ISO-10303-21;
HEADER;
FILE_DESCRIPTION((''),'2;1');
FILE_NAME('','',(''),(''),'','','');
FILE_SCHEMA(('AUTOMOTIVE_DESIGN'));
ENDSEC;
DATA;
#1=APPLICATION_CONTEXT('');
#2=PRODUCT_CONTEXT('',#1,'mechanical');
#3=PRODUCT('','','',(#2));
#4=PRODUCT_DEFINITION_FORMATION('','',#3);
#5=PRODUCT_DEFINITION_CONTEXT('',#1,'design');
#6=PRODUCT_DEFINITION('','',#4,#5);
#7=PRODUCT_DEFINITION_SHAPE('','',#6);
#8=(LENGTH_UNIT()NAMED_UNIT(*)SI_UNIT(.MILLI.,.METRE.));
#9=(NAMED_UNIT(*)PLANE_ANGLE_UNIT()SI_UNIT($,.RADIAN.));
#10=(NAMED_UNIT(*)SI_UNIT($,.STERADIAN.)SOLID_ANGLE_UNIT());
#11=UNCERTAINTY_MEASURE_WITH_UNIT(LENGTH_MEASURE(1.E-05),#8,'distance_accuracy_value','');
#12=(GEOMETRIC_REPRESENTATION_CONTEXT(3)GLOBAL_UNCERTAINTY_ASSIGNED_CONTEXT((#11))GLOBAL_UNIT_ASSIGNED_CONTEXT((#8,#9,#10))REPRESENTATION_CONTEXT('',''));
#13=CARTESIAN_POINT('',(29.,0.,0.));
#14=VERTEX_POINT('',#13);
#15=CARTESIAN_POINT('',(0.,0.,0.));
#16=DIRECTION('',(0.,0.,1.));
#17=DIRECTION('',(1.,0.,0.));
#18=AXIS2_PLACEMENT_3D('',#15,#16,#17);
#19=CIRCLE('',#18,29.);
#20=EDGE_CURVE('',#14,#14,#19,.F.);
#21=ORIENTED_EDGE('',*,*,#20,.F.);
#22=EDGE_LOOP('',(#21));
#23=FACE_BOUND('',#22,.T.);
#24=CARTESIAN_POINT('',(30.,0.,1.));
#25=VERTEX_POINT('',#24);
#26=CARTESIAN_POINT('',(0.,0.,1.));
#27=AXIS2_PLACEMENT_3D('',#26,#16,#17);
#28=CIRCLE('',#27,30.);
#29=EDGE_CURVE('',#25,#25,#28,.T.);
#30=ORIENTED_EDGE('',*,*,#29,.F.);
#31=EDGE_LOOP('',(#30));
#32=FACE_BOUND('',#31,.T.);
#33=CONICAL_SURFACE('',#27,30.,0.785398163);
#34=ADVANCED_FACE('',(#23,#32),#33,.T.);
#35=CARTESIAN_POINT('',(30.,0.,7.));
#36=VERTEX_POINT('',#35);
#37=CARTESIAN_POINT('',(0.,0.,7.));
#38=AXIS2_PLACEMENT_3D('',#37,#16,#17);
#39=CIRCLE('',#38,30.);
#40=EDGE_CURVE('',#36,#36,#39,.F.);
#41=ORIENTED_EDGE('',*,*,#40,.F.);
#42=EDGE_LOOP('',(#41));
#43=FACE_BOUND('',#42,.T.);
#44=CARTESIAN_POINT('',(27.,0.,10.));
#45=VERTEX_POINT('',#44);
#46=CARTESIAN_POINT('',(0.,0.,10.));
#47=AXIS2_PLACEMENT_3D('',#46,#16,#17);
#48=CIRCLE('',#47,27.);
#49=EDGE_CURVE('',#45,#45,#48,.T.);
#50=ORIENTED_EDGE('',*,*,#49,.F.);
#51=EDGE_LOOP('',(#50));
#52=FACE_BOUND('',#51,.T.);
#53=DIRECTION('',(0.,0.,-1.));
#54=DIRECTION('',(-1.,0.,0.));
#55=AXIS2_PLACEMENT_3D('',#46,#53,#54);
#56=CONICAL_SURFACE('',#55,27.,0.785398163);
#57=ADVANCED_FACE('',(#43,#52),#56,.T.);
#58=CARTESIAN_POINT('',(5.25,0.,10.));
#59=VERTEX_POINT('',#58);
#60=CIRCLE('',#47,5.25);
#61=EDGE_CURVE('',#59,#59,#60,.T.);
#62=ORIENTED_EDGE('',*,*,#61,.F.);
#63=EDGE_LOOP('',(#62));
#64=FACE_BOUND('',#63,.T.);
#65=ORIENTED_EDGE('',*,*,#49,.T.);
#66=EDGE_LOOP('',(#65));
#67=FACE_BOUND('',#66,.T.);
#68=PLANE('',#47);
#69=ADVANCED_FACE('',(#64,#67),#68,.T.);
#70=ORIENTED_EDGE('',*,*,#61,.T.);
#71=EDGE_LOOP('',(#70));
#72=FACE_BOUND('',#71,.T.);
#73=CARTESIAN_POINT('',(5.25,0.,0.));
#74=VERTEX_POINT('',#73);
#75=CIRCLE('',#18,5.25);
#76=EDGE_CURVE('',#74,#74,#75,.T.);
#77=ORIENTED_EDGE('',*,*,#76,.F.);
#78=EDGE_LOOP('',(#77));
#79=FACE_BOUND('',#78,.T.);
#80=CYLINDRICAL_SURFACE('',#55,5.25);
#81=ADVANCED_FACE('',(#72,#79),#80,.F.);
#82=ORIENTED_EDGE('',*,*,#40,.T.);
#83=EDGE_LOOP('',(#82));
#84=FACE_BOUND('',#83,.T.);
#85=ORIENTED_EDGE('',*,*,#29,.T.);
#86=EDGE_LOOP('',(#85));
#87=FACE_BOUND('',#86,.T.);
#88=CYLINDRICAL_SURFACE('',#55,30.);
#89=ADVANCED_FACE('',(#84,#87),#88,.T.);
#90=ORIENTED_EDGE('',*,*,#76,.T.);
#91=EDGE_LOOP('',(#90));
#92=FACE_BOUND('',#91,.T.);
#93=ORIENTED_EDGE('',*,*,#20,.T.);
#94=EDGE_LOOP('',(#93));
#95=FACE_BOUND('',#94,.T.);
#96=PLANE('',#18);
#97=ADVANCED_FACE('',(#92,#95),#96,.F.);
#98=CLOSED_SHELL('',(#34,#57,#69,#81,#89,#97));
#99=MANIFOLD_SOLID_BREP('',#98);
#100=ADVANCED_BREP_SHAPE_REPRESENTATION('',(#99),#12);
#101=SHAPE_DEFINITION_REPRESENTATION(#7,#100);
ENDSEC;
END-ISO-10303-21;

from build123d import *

# Parameters (mm, degrees)
SKETCH_2_R      = 30
SKETCH_2_R_2    = 5.25
EXTRUDE_1_DEPTH = 10
CHAMFER_1_SIZE  = 3
CHAMFER_2_SIZE  = 1


with BuildPart() as part:
    # Эскиз2 → Бобышка-Вытянуть1 (new body)
    with BuildSketch(Plane.XY):
        Circle(SKETCH_2_R)
        Circle(SKETCH_2_R_2, mode=Mode.SUBTRACT)
    extrude(amount=EXTRUDE_1_DEPTH)

    # Фаска1
    chamfer_1_edges = [part.edges().sort_by_distance(p)[0] for p in [
        (-30, 0, 10),
    ]]
    chamfer(chamfer_1_edges, length=CHAMFER_1_SIZE)

    # Фаска2
    chamfer_2_edges = [part.edges().sort_by_distance(p)[0] for p in [
        (-30, 0, 0),
    ]]
    chamfer(chamfer_2_edges, length=CHAMFER_2_SIZE)


solid = part.part
